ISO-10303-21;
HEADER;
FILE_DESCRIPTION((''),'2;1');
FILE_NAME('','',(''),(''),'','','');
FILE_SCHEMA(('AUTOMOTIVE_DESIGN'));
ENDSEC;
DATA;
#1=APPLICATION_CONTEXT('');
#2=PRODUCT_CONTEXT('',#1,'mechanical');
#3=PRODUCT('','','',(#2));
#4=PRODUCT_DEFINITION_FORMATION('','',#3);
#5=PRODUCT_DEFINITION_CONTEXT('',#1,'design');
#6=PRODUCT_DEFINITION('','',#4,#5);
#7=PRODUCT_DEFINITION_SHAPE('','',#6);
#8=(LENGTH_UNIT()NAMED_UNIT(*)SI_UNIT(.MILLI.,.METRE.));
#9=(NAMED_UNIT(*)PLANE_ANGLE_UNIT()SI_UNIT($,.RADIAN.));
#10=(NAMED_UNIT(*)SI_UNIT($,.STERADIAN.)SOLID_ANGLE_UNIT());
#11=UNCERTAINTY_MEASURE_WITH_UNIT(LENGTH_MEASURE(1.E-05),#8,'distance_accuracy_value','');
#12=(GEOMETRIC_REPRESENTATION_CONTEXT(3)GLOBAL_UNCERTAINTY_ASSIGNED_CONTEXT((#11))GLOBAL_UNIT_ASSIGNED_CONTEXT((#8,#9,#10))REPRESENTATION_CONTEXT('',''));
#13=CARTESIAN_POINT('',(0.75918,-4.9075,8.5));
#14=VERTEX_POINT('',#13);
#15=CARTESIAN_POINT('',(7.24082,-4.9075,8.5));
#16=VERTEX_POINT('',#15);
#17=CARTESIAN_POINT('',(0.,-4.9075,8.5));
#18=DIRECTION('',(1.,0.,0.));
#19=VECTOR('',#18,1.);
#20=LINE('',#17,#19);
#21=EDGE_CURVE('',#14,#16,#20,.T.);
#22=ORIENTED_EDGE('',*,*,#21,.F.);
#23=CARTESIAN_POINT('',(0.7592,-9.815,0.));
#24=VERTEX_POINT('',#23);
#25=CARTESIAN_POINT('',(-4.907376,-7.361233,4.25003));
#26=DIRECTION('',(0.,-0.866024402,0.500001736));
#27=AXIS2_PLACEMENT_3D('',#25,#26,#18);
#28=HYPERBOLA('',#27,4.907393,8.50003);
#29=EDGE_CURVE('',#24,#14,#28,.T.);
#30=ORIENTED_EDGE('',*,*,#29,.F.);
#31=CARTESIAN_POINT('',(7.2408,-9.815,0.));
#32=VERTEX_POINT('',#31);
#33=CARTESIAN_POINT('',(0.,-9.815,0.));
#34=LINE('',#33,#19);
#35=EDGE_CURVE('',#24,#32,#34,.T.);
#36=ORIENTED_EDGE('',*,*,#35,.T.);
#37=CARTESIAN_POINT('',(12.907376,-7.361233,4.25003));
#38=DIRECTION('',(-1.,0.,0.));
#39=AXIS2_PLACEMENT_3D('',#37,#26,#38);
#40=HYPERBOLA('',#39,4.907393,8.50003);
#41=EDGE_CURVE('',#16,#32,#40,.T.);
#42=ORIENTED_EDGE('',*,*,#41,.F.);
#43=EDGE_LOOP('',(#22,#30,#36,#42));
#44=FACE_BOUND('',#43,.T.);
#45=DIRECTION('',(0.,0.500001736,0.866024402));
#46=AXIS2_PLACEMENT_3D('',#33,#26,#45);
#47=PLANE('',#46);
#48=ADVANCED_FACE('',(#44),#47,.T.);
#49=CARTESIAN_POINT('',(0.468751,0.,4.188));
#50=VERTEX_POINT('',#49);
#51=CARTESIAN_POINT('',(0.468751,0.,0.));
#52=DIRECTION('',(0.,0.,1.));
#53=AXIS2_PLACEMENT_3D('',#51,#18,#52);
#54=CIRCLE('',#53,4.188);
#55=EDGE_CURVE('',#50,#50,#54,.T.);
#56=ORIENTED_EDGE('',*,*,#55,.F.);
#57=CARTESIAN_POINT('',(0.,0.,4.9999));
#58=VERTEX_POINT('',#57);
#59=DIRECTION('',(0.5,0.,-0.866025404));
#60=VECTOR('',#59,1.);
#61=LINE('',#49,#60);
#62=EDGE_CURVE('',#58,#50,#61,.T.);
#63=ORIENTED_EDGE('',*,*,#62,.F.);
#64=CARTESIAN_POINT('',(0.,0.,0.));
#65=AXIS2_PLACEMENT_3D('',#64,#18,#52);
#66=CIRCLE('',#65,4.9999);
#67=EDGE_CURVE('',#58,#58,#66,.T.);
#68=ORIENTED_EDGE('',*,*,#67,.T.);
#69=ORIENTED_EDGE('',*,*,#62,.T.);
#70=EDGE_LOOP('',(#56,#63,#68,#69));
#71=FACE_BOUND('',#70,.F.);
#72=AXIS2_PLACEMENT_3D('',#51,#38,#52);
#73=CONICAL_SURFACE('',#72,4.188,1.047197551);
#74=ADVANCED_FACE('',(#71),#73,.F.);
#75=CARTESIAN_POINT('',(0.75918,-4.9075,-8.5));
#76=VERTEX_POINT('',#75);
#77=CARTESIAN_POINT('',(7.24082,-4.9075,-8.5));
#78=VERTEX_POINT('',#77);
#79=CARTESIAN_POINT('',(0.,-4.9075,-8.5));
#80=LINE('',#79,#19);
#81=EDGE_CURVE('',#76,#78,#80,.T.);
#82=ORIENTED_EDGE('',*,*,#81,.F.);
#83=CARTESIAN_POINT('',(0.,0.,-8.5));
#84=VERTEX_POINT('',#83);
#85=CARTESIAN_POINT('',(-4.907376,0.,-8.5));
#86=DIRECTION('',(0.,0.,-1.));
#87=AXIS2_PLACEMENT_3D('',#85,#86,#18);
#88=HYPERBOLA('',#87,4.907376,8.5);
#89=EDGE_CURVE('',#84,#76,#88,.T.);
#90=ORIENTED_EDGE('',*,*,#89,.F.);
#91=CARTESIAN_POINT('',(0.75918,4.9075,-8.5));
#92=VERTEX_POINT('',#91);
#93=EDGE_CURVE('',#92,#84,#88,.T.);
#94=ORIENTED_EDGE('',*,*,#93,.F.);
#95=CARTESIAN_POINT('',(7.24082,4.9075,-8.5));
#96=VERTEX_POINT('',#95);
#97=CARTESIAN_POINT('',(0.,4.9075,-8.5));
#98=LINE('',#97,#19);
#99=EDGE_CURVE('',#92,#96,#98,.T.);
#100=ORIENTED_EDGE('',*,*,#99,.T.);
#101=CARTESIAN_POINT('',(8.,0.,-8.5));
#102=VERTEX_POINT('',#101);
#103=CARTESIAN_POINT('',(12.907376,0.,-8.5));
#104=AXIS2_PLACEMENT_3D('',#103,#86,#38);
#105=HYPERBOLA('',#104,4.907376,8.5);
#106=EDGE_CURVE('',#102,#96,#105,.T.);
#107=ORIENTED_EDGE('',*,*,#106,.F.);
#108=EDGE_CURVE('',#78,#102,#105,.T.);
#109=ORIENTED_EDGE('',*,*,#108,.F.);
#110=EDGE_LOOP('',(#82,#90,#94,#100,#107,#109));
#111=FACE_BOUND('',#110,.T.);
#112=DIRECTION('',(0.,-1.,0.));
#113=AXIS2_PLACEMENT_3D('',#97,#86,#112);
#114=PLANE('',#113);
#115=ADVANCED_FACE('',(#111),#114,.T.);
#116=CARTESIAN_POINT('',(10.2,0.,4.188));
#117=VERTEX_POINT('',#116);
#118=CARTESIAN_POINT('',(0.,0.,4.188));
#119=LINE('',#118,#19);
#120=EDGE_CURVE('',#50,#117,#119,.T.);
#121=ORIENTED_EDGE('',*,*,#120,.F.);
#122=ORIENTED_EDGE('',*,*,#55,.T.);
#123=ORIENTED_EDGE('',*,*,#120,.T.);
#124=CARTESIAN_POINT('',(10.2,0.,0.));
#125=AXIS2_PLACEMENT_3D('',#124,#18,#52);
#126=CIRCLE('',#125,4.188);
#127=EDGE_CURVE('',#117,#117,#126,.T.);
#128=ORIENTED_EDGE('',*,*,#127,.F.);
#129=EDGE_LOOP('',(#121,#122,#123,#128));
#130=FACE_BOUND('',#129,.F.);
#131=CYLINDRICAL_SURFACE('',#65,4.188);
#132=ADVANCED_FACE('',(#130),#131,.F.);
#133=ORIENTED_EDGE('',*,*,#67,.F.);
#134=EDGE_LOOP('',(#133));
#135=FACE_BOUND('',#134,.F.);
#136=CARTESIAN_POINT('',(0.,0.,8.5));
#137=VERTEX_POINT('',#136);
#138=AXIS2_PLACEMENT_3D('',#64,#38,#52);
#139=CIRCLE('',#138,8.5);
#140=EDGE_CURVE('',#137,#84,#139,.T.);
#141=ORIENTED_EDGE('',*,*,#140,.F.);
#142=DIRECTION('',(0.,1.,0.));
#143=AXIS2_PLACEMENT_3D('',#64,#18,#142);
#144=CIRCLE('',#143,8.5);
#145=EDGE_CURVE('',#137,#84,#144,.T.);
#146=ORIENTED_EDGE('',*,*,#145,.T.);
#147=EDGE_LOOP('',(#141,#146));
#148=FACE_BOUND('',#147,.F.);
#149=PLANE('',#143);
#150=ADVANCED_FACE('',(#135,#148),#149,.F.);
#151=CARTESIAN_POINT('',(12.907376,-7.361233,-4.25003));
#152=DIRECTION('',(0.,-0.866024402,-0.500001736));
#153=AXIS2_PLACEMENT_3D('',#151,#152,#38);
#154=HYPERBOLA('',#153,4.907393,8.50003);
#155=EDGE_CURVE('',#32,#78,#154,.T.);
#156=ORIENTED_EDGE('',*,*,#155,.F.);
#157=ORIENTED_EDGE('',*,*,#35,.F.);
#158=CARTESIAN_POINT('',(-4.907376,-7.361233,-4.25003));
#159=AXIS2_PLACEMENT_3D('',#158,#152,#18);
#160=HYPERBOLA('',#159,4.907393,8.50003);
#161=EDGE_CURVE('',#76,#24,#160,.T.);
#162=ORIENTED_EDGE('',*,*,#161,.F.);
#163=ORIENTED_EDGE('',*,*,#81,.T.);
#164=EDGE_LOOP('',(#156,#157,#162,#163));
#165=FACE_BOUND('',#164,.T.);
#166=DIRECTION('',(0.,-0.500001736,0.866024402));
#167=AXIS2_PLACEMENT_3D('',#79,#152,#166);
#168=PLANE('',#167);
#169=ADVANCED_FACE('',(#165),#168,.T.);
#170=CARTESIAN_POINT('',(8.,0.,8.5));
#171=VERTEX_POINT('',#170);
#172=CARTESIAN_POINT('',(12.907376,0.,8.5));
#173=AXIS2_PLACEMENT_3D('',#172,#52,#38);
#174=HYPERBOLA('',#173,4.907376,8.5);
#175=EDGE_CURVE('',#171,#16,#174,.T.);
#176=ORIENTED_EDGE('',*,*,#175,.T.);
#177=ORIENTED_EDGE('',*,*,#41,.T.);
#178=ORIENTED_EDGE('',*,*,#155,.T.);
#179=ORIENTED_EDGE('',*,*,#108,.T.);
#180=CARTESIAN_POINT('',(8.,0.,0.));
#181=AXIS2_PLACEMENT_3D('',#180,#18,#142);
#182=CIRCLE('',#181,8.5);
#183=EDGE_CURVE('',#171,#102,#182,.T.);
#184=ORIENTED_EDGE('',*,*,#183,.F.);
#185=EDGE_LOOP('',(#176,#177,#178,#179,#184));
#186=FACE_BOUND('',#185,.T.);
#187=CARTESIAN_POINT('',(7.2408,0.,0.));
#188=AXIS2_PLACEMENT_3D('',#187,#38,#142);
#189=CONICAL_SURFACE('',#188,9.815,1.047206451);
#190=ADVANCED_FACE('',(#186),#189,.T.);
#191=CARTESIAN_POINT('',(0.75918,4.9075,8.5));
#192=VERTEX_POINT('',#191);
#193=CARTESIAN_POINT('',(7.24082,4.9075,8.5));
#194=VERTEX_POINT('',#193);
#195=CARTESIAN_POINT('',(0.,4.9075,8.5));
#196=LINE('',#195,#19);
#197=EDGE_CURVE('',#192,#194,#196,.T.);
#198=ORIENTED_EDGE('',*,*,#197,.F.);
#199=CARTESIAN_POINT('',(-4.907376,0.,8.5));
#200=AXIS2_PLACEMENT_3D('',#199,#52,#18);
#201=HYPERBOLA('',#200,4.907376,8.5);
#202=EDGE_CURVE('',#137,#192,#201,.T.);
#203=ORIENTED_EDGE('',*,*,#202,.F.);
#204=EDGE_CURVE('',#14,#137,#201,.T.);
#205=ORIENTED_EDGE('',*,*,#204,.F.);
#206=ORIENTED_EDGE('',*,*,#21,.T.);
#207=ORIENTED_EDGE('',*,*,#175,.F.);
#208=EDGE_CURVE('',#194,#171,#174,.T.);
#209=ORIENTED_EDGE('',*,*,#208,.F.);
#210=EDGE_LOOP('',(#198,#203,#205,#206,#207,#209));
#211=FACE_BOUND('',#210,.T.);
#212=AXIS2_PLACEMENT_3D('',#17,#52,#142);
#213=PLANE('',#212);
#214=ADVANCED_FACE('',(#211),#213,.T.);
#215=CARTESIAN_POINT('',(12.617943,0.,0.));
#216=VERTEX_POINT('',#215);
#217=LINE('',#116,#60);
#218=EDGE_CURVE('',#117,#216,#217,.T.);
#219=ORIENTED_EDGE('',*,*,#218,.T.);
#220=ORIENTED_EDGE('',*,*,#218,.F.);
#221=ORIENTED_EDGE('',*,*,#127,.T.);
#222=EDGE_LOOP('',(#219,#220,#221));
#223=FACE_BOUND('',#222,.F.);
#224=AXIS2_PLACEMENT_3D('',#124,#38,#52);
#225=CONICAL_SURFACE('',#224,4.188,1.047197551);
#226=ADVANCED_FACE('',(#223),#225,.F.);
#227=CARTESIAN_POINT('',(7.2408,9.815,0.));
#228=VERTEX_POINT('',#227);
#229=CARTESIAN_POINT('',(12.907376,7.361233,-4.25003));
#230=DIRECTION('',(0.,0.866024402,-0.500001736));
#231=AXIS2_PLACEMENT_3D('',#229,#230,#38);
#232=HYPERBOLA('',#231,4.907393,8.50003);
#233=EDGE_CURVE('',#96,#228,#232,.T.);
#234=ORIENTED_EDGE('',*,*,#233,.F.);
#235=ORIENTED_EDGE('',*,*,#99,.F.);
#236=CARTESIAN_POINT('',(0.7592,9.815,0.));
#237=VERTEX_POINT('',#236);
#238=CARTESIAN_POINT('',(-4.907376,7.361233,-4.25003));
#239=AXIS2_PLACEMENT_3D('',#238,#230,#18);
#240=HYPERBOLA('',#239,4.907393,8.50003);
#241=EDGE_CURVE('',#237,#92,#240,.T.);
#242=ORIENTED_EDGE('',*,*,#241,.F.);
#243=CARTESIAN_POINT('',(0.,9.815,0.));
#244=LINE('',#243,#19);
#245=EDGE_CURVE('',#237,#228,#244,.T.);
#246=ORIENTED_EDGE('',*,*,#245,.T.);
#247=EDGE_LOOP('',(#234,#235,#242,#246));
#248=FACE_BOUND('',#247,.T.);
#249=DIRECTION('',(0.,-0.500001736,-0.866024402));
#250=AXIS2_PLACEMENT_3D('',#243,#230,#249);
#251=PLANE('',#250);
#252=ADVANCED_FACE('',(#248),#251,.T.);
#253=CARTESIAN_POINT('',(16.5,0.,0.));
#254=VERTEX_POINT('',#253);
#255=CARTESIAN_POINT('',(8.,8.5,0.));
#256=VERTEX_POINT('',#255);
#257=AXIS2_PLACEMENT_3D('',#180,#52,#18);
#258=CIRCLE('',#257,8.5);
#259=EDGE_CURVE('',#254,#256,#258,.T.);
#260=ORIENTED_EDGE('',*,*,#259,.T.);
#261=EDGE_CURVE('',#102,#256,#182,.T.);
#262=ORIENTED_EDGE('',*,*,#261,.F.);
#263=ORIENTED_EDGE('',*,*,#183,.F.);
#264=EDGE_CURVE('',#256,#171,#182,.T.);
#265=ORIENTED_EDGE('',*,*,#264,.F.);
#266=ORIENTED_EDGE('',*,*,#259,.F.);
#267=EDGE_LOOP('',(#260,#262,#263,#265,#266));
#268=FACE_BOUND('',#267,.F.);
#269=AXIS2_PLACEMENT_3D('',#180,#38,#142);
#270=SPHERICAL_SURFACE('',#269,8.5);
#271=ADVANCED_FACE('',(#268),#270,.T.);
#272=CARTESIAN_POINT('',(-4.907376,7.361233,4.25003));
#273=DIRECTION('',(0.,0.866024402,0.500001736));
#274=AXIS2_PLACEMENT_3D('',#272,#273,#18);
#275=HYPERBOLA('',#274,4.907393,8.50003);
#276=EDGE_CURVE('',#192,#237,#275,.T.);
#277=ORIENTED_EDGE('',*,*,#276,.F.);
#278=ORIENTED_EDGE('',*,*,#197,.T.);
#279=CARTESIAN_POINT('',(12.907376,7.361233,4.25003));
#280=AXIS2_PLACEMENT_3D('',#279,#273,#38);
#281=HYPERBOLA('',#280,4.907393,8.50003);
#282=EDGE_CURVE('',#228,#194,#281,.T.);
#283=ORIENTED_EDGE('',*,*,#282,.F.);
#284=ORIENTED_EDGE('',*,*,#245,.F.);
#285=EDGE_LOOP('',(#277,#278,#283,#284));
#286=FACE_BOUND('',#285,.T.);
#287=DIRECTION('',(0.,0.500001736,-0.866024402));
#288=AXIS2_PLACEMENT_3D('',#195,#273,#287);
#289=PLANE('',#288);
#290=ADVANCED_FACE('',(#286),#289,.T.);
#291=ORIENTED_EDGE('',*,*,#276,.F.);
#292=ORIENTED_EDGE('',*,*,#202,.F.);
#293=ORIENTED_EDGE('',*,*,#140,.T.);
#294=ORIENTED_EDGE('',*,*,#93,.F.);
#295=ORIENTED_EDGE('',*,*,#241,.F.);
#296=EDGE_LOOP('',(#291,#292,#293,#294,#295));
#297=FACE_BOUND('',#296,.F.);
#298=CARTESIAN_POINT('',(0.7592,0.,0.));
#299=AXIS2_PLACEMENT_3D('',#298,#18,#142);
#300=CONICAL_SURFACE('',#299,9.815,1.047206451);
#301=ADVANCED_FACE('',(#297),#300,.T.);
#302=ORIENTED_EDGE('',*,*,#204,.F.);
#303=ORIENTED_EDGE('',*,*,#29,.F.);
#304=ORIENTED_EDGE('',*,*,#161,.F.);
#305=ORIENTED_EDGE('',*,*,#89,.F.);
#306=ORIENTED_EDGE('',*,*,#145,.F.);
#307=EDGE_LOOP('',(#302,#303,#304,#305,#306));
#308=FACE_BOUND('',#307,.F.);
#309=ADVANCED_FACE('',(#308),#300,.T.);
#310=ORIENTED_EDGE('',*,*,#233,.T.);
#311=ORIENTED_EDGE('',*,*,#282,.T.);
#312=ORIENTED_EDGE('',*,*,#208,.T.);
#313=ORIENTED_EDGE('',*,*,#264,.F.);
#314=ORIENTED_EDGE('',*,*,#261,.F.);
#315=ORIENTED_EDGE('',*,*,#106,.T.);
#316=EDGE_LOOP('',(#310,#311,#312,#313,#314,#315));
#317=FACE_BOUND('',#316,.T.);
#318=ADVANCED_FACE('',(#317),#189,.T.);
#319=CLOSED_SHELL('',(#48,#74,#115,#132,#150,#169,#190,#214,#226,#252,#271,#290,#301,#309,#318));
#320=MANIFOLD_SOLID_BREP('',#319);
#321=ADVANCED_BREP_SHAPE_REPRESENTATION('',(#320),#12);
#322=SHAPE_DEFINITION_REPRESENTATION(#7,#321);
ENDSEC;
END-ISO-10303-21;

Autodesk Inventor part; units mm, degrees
ref_plane "YZ Plane" through (0, 0, 0) normal (1, 0, 0) x (0, 1, 0)
ref_plane "XZ Plane" through (0, 0, 0) normal (0, 1, 0) x (-1, 0, 0)
sketch "Sketch1" plane through (0, 0, 0) normal (1, 0, 0) x (0, 1, 0)
  line L0 (-4.9075, -8.5) -> (-9.815, 0)
  line L1 (-9.815, 0) -> (-4.9075, 8.5)
  line L2 (-4.9075, 8.5) -> (4.9075, 8.5)
  line L3 (4.9075, 8.5) -> (9.815, 0)
  line L4 (9.815, 0) -> (4.9075, -8.5)
  line L5 (4.9075, -8.5) -> (-4.9075, -8.5)
  point P0 (0, 0)
  point P1 (0, 0)
  dimension "d0" = 19.6299
extrude "Body" add sketch "Sketch1" along normal blind 8
sketch "Sketch2" plane through (0, 0, 0) normal (0, 0, 1) x (1, 0, 0)
  line L0 (8, 0) -> (16.5, 0)
  arc A0 (16.5, 0) -> (8, 8.5) centre (8, 0) ccw
  line L1 (8, 8.5) -> (8, 8.5)
  line L2 (8, -4.9075) -> (8, 4.9075) projected
  line L3 (8, 0) -> (8, 8.5)
  line L4 (5.9479, 0) -> (20.3125, 0) projected
  dimension "d8" = 8.5
  dimension "d9" = 8.5
revolve "Cap" add sketch "Sketch2" angle 360 about axis through (8, 0, 0) along (1, 0, 0)
sketch "Sketch3" plane through (0, 0, 0) normal (-1, 0, 0) x (0, 0, 1)
  line L0 (0, -13.7409) -> (0, 13.7409) projected
  line L1 (-11.9, 0) -> (11.9, 0) projected
  point P0 (0, 0)
hole "Thread" at (0, 0, 0) direction (1, 0, 0) diameter 8.376 depth 10.2 tip angle 120 thread size "M10x1.5" class "6H" standard "ISO Metric profile"
sketch "Sketch4" plane through (0, 0, 0) normal (0, 0, 1) x (1, 0, 0)
  line L0 (0, 4.9075) -> (0, 9.815) projected
  line L1 (0, 9.815) -> (8, 9.815) projected
  line L2 (8, 4.9075) -> (8, 9.815) projected
  line L3 (-1.6, 0) -> (9.6, 0) projected
  line L4 (0.7592, 9.815) -> (0, 8.5)
  line L5 (7.2408, 9.815) -> (8, 8.5)
  dimension "d3" = 17
  dimension "d4" = 30
  dimension "d5" = 17
  dimension "d6" = 30
revolve "Chamfer1" cut sketch "Sketch4" angle 360 about axis through (-10, 0, 0) along (1, 0, 0)
chamfer "Chamfer2" distance 0.8119 angle 30 1 edges at (0, 0, -4.188) measured on face at (0, -7.0214, 0.1683)
ref_plane "Work Plane1" through (5.1, 0, 0) normal (0, 0.866, -0.5) x (-1, 0, 0)
equation "\"d0\" = 1.1547 * SW"
equation "\"d1\" = SIH"
equation "\"d8\" = KR"
equation "\"d9\" = KOH1 - SIH"
equation "\"d11\" = GEL"
equation "\"d12\" = 1.02 * GEL"
equation "\"d3\" = SW0"
equation "\"d4\" = ANG1"
equation "\"d5\" = SW01"
equation "\"d6\" = ANG2"
equation "\"d14\" = -0.5 * GD1 + 0.5 * NND"
equation "\"d36\" = -0.5 * GD1 + 0.5 * NND"
equation "\"ANG1\" = 30deg"
equation "\"ANG2\" = ANG1"
equation "\"SIH\" = 8"
equation "\"KOH1\" = 16.5"
equation "\"GEL\" = 10"
equation "\"SW\" = 17"
equation "\"KR\" = 8.5"
equation "\"SW0\" = SW"
equation "\"SW01\" = SW"
equation "\"GUL\" = 0.541266 * PTC"
equation "\"TOA\" = 30deg"
equation "\"PTC\" = 1.5"
equation "\"E0\" = 1.155 * SW"
equation "\"GAL\" = 0.541266 * PTC"
equation "\"GD1\" = 8.376202"
equation "\"NND\" = 10"
properties part number "NF E 27-453 - M10" material "Steel, Mild"
